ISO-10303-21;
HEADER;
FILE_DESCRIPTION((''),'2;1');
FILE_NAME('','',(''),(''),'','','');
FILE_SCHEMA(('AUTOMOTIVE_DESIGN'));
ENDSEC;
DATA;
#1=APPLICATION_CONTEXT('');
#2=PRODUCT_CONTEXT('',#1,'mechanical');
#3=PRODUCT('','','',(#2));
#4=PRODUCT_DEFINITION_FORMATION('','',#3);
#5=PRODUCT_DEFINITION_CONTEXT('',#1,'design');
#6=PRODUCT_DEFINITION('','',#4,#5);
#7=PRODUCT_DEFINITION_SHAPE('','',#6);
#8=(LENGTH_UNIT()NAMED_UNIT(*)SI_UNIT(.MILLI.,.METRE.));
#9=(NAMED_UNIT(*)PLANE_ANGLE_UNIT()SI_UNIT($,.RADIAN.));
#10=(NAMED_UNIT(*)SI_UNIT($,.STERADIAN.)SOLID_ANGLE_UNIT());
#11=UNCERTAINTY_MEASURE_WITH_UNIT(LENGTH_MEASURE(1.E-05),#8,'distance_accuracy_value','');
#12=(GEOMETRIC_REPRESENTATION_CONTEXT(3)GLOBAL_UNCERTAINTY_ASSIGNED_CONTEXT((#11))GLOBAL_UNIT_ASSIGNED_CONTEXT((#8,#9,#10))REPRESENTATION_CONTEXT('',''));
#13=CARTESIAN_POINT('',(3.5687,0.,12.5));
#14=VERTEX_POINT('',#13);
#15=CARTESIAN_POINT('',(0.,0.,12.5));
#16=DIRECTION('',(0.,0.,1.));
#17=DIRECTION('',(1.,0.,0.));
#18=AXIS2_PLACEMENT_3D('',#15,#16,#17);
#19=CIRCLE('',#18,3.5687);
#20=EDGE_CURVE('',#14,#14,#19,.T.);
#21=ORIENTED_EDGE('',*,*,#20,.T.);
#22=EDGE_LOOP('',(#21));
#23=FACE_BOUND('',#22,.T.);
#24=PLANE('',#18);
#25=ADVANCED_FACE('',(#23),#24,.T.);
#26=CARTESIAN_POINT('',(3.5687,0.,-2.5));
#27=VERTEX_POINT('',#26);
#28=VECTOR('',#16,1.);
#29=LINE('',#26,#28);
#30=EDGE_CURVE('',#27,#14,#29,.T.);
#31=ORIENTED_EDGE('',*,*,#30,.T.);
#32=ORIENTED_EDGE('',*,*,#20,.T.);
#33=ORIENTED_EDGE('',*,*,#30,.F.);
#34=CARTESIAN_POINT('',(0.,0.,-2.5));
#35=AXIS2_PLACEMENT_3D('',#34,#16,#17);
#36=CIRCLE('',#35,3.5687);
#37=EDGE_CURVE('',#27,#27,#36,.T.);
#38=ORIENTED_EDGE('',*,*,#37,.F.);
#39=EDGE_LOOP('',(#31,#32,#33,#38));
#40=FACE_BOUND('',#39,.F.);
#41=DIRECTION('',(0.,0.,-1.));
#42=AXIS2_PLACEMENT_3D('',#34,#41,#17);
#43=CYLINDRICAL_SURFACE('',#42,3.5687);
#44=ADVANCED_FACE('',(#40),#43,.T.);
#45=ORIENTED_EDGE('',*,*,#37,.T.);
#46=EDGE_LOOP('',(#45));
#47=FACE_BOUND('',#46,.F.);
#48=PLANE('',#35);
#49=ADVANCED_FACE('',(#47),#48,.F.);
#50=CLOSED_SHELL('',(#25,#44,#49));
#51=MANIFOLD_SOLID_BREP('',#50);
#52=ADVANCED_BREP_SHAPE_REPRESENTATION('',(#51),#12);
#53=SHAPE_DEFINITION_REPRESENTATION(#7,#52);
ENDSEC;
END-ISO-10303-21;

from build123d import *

# Parameters (mm, degrees)
CYLINDER_R     = 3.5687
CYLINDER_DEPTH = 15


with BuildPart() as part:
    # Cylinder → Cylinder (new body)
    with BuildSketch(Plane.XY.offset(-2.5)):
        Circle(CYLINDER_R)
    extrude(amount=CYLINDER_DEPTH)


solid = part.part
